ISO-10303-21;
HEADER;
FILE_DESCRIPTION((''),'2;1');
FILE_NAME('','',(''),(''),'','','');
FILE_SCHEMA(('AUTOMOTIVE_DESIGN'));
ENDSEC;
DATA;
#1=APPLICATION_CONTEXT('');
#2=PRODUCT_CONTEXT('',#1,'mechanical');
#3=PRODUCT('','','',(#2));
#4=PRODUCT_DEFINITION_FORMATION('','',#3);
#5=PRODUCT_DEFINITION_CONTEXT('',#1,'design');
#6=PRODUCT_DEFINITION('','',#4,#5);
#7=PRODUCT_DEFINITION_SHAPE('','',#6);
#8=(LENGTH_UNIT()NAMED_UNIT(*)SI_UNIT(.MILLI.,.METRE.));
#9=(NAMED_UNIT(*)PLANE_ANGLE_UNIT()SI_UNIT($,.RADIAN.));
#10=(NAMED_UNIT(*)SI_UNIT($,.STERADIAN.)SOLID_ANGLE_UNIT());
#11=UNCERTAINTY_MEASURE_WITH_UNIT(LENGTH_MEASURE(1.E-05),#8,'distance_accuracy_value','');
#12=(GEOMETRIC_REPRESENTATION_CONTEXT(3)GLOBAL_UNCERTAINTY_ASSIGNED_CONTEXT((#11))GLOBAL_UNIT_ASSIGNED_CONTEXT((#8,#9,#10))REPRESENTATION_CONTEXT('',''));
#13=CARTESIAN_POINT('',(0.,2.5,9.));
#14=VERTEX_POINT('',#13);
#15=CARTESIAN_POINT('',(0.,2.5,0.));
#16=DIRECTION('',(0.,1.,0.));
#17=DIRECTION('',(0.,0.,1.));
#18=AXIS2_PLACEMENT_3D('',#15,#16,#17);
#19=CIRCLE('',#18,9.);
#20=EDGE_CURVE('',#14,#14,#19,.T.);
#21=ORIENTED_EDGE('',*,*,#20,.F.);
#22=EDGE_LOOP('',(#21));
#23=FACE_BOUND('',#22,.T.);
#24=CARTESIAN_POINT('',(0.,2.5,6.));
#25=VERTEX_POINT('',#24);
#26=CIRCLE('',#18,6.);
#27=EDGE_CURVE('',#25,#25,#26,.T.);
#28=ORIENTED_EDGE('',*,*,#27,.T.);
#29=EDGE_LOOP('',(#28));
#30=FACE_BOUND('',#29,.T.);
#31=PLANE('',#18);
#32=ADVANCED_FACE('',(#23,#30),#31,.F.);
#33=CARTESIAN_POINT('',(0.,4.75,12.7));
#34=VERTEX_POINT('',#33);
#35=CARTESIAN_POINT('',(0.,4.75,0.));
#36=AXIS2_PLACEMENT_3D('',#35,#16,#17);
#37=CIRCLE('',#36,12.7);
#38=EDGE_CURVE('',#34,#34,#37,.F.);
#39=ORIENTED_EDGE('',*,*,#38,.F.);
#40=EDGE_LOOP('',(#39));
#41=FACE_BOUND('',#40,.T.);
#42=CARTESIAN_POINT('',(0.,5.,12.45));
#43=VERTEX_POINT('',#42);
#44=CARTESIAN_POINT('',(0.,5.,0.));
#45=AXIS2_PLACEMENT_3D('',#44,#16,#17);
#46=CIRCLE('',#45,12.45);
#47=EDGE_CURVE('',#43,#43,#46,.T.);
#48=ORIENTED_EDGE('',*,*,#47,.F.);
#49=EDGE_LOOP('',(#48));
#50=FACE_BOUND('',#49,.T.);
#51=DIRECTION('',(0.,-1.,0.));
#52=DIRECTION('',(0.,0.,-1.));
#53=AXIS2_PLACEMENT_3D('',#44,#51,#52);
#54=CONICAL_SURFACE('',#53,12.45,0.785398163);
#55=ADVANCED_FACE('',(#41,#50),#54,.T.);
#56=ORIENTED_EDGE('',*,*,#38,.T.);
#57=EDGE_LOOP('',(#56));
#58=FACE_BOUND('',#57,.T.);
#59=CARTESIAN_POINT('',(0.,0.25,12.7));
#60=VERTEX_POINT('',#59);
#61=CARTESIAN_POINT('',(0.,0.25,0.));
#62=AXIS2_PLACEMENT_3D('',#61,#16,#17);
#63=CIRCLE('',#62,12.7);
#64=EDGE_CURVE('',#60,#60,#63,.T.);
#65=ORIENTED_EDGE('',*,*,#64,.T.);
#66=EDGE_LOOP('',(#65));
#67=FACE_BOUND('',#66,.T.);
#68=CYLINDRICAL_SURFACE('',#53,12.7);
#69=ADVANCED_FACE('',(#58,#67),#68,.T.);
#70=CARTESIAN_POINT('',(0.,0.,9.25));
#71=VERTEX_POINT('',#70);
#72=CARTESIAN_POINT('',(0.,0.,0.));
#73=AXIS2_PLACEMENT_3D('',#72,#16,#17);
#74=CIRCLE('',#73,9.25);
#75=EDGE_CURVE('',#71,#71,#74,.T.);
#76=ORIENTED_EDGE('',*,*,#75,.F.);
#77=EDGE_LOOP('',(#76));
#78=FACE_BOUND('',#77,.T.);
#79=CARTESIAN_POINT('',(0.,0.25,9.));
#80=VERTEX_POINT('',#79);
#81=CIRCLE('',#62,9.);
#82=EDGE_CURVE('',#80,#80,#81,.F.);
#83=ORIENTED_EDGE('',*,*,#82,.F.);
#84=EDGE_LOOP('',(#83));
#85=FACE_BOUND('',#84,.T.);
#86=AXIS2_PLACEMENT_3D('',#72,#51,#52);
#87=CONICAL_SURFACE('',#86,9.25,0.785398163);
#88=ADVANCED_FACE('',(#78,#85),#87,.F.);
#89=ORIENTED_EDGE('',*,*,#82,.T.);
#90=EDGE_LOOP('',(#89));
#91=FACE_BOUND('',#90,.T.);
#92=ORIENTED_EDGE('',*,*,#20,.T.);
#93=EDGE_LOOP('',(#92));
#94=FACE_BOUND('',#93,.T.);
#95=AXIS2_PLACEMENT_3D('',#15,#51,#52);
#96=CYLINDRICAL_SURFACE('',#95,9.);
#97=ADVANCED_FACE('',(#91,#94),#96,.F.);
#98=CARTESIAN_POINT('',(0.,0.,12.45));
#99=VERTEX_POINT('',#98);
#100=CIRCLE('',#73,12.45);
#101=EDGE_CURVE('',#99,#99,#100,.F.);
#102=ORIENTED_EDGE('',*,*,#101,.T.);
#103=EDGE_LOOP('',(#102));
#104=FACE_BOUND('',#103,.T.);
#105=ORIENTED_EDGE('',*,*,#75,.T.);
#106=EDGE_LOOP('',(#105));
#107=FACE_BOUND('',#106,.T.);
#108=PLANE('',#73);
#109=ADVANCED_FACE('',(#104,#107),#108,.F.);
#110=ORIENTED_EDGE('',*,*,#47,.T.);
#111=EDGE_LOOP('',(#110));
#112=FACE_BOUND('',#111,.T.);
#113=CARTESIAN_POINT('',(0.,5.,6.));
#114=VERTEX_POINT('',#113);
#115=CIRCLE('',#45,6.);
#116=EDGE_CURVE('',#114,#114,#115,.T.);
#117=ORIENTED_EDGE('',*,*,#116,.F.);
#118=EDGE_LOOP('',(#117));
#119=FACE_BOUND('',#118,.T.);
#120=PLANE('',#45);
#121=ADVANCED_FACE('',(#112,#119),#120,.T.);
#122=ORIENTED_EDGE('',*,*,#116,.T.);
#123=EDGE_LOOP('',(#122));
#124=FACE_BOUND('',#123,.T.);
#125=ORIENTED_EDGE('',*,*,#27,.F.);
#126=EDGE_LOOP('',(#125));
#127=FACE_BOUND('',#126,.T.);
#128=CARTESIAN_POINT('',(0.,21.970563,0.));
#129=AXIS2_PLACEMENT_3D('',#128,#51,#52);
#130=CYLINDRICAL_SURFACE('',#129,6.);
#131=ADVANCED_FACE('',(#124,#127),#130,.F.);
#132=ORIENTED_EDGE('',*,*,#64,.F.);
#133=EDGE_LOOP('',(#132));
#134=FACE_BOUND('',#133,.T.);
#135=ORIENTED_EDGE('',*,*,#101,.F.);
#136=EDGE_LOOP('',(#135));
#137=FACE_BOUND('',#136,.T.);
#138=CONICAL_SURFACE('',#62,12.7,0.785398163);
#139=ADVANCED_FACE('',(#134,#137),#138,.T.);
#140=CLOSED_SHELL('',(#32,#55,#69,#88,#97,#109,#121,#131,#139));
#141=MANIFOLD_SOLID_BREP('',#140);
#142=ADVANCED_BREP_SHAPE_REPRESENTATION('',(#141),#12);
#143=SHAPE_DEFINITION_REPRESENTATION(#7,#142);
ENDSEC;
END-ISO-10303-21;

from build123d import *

# Parameters (mm, degrees)
SKETCH1_R           = 12.7
BOSS_EXTRUDE1_DEPTH = 5
SKETCH1_3_R         = 6
CUT_EXTRUDE1_DEPTH  = 5
SKETCH1_4_R         = 9
SKETCH1_4_R_2       = 6
CUT_EXTRUDE2_DEPTH  = 2.5
CHAMFER1_SIZE       = 0.25


with BuildPart() as part:
    # Sketch1 → Boss-Extrude1 (new body)
    with BuildSketch(Plane(origin=(0, 0, 0), x_dir=(1, 0, 0), z_dir=(0, 1, 0))):
        with Locations(Location((0, 0, 0), (0, 0, 270))):
            Circle(SKETCH1_R)
    extrude(amount=BOSS_EXTRUDE1_DEPTH)

    # Sketch1<3> → Cut-Extrude1 (cut)
    with BuildSketch(Plane(origin=(0, 0, 0), x_dir=(1, 0, 0), z_dir=(0, 1, 0))):
        with Locations(Location((0, 0, 0), (0, 0, 270))):
            Circle(SKETCH1_3_R)
    extrude(amount=CUT_EXTRUDE1_DEPTH, mode=Mode.SUBTRACT)

    # Sketch1<4> → Cut-Extrude2 (cut)
    with BuildSketch(Plane(origin=(0, 0, 0), x_dir=(1, 0, 0), z_dir=(0, 1, 0))):
        with Locations(Location((0, 0, 0), (0, 0, 270))):
            Circle(SKETCH1_4_R)
        with Locations(Location((0, 0, 0), (0, 0, 270))):
            Circle(SKETCH1_4_R_2, mode=Mode.SUBTRACT)
    extrude(amount=CUT_EXTRUDE2_DEPTH, mode=Mode.SUBTRACT)

    # Chamfer1
    chamfer1_edges = [part.edges().sort_by_distance(p)[0] for p in [
        (0, 0, -9),
        (0, 0, -12.7),
        (0, 5, -12.7),
    ]]
    chamfer(chamfer1_edges, length=CHAMFER1_SIZE)


solid = part.part
